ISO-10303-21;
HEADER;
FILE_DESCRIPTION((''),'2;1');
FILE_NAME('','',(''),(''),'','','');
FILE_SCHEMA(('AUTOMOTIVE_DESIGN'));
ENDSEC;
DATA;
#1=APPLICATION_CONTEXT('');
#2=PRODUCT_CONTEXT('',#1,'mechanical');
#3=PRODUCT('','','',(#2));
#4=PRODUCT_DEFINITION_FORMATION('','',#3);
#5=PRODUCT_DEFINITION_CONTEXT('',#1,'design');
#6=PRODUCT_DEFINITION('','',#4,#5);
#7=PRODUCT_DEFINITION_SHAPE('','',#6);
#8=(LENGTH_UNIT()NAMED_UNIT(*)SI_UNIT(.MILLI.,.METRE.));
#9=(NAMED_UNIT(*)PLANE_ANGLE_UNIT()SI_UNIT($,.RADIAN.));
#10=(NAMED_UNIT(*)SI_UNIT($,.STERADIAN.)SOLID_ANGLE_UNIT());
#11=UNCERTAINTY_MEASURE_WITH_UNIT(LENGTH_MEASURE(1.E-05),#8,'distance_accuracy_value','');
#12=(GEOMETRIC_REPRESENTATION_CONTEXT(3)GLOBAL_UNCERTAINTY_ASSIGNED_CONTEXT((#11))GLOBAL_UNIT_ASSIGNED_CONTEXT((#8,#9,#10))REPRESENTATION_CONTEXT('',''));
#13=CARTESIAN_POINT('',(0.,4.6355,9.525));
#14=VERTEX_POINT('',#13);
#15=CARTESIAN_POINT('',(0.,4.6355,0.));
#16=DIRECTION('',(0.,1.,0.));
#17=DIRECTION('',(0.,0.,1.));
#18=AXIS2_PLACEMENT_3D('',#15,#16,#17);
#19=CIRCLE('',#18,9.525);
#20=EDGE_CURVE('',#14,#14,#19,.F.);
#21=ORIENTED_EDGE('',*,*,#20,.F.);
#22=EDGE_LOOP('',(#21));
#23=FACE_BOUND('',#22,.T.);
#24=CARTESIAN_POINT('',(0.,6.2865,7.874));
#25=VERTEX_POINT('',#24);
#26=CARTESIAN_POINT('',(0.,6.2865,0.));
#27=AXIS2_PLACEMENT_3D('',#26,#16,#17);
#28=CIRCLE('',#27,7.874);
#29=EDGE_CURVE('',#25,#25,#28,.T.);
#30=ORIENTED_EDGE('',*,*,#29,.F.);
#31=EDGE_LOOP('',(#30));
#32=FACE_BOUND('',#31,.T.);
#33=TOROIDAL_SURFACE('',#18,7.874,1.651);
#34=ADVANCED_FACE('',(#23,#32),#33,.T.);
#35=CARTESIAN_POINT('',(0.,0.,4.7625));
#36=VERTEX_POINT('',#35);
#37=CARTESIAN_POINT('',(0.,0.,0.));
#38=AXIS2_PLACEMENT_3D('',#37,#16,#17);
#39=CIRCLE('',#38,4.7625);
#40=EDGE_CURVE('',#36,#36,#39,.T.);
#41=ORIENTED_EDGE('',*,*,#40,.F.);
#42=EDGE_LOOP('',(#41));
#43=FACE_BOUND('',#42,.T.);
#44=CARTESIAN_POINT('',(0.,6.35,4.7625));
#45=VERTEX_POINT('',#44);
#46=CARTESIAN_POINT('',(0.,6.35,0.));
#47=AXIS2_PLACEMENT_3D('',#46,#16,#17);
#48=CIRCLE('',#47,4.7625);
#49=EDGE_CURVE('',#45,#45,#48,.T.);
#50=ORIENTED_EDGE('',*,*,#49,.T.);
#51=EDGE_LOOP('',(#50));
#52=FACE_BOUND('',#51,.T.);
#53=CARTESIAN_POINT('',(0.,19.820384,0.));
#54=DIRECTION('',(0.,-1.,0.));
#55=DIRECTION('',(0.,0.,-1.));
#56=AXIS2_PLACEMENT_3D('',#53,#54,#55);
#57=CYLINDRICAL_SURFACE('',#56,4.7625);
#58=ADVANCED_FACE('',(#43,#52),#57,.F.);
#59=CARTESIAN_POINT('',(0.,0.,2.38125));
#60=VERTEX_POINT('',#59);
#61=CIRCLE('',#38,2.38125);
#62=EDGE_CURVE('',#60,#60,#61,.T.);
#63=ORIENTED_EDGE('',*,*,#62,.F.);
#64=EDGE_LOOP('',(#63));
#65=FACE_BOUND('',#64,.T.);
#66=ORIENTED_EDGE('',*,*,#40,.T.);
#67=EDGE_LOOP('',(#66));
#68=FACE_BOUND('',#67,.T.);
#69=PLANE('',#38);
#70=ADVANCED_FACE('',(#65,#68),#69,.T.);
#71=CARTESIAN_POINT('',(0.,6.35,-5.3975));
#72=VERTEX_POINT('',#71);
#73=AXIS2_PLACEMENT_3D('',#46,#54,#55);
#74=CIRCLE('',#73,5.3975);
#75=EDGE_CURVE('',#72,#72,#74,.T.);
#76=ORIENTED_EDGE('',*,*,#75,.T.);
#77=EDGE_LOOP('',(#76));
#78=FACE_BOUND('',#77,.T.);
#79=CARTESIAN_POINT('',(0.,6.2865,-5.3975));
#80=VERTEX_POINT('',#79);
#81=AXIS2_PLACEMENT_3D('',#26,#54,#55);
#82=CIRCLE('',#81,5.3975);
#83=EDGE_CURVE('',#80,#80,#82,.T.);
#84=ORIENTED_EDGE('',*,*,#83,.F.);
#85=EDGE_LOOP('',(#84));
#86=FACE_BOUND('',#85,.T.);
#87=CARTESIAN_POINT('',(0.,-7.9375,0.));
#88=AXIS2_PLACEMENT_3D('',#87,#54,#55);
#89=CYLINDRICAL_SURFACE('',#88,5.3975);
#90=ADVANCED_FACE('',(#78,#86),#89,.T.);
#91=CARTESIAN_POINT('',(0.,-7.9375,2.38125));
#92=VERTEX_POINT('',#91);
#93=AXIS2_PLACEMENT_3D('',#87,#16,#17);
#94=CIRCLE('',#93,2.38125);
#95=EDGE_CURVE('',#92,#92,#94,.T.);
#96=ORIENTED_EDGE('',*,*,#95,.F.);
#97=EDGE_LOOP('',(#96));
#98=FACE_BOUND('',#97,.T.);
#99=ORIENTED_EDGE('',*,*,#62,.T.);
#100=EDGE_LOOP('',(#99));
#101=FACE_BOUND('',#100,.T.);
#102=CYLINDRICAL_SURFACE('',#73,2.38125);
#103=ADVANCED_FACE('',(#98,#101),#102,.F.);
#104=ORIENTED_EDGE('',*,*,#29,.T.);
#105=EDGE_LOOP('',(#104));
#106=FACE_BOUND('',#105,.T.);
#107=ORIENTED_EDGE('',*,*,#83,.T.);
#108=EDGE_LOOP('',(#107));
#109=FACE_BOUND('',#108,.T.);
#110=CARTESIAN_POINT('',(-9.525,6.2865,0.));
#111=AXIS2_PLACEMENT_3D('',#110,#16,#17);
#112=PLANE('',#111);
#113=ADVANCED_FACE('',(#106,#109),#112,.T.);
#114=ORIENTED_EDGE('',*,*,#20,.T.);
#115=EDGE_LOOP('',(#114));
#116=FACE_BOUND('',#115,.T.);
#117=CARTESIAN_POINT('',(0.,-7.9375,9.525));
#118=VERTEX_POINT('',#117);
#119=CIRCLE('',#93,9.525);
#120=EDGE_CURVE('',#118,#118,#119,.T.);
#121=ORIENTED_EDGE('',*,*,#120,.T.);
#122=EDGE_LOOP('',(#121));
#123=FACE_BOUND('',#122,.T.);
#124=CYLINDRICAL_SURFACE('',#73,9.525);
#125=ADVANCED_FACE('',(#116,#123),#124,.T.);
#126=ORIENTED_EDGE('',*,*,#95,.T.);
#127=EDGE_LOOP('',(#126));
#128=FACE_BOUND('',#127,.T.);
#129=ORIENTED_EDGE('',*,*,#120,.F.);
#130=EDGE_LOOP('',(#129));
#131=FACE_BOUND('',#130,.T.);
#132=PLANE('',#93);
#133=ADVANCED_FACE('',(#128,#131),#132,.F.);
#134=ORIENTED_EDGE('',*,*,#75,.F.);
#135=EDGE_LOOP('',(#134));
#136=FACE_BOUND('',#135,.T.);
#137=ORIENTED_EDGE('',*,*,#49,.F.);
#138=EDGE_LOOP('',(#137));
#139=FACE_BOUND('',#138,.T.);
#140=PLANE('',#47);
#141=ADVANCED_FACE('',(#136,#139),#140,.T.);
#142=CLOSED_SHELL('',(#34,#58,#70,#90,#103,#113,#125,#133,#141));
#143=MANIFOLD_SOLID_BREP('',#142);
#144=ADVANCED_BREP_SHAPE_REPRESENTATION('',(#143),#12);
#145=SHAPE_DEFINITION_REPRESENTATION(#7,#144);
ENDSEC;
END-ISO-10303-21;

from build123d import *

# Parameters (mm, degrees)
SKETCH3_R                = 9.525
SKETCH3_R_2              = 2.38125
BOSS_EXTRUDE1_DEPTH      = 6.35
BOSS_EXTRUDE1_DEPTH_BACK = 7.9375
SKETCH4_R                = 4.7625
CUT_EXTRUDE1_DEPTH       = 6.35
SKETCH5_W                = 4.1275
SKETCH5_H                = 0.0635
FILLET2_R                = 1.651


with BuildPart() as part:
    # Sketch3 → Boss-Extrude1 (new body, two sides)
    with BuildSketch(Plane(origin=(0, 0, 0), x_dir=(1, 0, 0), z_dir=(0, 1, 0))) as boss_extrude1_sk:
        Circle(SKETCH3_R)
        Circle(SKETCH3_R_2, mode=Mode.SUBTRACT)
    extrude(amount=BOSS_EXTRUDE1_DEPTH)
    extrude(boss_extrude1_sk.sketch, amount=-BOSS_EXTRUDE1_DEPTH_BACK)

    # Sketch4 → Cut-Extrude1 (cut)
    with BuildSketch(Plane(origin=(0, 0, 0), x_dir=(1, 0, 0), z_dir=(0, 1, 0))):
        Circle(SKETCH4_R)
    extrude(amount=CUT_EXTRUDE1_DEPTH, mode=Mode.SUBTRACT)

    # Sketch5 → Cut-Revolve1 (revolve, cut)
    with BuildSketch(Plane.XY):
        with Locations((-7.46125, 6.31825)):
            Rectangle(SKETCH5_W, SKETCH5_H)
    revolve(axis=Axis((0, -7.9375, 0), (0, 1, 0)), mode=Mode.SUBTRACT)

    # Fillet2
    fillet2_edges = [part.edges().sort_by_distance(p)[0] for p in [
        (-9.525, 6.2865, 0),
    ]]
    fillet(fillet2_edges, radius=FILLET2_R)


solid = part.part
